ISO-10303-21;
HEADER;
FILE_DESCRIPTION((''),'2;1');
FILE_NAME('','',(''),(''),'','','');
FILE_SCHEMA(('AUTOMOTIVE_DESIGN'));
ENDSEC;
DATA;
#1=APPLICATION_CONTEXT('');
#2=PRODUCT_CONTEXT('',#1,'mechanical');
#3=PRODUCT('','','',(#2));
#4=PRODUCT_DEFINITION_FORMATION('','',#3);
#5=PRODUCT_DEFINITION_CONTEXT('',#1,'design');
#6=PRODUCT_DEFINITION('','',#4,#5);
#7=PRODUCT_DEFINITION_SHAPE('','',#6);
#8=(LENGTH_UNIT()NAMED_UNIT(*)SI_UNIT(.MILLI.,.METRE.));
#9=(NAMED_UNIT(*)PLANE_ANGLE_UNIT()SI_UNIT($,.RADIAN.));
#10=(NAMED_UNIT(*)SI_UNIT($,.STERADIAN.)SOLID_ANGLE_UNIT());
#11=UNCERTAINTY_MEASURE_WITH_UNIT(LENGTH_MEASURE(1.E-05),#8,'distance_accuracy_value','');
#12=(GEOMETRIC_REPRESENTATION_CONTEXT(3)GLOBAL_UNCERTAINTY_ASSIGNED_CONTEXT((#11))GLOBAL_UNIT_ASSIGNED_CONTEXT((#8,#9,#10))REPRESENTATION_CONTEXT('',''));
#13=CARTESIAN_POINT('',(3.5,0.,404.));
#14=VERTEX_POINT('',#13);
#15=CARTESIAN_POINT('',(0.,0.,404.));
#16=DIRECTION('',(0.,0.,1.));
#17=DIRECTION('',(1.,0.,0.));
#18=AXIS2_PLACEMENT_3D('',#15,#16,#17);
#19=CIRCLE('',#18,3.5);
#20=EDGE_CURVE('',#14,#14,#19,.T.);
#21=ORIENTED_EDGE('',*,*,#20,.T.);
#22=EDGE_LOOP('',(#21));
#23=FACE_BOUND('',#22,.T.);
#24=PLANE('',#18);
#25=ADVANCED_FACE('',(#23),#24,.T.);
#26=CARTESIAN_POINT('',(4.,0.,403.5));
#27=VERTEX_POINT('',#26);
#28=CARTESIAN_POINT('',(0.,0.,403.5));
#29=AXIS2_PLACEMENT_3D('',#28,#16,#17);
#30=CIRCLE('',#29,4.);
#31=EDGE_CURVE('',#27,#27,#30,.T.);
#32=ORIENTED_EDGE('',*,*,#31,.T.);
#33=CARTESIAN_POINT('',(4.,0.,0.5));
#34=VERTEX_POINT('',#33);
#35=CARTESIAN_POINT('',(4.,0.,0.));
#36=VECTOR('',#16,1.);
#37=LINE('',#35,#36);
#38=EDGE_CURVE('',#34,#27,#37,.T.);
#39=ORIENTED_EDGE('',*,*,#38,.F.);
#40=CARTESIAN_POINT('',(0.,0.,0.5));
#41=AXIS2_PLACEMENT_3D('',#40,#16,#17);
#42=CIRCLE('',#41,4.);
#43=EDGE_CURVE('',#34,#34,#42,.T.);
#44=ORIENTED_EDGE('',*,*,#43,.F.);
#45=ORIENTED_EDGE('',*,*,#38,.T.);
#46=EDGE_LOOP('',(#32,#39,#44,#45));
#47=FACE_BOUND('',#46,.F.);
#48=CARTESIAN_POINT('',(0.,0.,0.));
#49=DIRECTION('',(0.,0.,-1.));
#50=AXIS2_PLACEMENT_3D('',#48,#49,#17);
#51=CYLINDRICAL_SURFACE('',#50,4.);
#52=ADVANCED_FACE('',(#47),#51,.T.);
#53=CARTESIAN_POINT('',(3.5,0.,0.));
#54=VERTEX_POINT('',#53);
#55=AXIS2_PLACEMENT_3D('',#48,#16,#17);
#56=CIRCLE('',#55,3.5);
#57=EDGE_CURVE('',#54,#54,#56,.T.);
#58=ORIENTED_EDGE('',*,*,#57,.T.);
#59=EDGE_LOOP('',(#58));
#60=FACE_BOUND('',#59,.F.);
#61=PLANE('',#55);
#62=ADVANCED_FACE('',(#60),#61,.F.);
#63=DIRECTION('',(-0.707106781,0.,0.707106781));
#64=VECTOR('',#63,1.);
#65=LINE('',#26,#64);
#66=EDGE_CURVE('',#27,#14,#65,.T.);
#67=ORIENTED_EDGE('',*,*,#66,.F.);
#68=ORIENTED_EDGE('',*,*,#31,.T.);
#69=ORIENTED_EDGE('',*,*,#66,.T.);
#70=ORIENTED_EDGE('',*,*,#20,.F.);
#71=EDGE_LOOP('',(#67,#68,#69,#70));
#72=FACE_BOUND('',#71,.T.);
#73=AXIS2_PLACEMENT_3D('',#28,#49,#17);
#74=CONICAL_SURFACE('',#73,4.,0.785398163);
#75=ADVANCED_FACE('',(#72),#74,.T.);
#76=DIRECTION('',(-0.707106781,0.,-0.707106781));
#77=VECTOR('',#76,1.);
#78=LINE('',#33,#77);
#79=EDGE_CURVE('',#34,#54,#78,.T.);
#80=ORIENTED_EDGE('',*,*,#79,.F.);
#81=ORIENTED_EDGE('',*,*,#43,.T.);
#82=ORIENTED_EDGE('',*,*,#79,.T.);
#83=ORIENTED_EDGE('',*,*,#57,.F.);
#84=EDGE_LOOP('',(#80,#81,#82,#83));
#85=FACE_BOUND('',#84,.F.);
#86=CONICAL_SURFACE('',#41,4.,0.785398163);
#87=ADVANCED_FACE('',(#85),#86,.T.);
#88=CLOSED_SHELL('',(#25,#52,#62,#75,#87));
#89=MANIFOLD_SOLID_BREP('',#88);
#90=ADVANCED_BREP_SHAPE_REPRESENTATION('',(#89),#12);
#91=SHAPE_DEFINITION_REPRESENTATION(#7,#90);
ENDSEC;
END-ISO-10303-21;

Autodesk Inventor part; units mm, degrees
ref_plane "YZ Plane" through (0, 0, 0) normal (1, 0, 0) x (0, 1, 0)
ref_plane "XZ Plane" through (0, 0, 0) normal (0, 1, 0) x (-1, 0, 0)
ref_plane "XY Plane" through (0, 0, 0) normal (0, 0, 1) x (1, 0, 0)
sketch "Sketch1" plane through (0, 0, 0) normal (0, 0, 1) x (1, 0, 0)
  circle A0 centre (0, 0) radius 4
  dimension "d0" = 8
extrude "Extrusion1" add sketch "Sketch1" along normal blind 404
chamfer "Chamfer1" distance 0.5 angle 45 2 edges at (-4, 0, 0) (-4, 0, 404)
properties part number "SteelShaft_1000mm"
